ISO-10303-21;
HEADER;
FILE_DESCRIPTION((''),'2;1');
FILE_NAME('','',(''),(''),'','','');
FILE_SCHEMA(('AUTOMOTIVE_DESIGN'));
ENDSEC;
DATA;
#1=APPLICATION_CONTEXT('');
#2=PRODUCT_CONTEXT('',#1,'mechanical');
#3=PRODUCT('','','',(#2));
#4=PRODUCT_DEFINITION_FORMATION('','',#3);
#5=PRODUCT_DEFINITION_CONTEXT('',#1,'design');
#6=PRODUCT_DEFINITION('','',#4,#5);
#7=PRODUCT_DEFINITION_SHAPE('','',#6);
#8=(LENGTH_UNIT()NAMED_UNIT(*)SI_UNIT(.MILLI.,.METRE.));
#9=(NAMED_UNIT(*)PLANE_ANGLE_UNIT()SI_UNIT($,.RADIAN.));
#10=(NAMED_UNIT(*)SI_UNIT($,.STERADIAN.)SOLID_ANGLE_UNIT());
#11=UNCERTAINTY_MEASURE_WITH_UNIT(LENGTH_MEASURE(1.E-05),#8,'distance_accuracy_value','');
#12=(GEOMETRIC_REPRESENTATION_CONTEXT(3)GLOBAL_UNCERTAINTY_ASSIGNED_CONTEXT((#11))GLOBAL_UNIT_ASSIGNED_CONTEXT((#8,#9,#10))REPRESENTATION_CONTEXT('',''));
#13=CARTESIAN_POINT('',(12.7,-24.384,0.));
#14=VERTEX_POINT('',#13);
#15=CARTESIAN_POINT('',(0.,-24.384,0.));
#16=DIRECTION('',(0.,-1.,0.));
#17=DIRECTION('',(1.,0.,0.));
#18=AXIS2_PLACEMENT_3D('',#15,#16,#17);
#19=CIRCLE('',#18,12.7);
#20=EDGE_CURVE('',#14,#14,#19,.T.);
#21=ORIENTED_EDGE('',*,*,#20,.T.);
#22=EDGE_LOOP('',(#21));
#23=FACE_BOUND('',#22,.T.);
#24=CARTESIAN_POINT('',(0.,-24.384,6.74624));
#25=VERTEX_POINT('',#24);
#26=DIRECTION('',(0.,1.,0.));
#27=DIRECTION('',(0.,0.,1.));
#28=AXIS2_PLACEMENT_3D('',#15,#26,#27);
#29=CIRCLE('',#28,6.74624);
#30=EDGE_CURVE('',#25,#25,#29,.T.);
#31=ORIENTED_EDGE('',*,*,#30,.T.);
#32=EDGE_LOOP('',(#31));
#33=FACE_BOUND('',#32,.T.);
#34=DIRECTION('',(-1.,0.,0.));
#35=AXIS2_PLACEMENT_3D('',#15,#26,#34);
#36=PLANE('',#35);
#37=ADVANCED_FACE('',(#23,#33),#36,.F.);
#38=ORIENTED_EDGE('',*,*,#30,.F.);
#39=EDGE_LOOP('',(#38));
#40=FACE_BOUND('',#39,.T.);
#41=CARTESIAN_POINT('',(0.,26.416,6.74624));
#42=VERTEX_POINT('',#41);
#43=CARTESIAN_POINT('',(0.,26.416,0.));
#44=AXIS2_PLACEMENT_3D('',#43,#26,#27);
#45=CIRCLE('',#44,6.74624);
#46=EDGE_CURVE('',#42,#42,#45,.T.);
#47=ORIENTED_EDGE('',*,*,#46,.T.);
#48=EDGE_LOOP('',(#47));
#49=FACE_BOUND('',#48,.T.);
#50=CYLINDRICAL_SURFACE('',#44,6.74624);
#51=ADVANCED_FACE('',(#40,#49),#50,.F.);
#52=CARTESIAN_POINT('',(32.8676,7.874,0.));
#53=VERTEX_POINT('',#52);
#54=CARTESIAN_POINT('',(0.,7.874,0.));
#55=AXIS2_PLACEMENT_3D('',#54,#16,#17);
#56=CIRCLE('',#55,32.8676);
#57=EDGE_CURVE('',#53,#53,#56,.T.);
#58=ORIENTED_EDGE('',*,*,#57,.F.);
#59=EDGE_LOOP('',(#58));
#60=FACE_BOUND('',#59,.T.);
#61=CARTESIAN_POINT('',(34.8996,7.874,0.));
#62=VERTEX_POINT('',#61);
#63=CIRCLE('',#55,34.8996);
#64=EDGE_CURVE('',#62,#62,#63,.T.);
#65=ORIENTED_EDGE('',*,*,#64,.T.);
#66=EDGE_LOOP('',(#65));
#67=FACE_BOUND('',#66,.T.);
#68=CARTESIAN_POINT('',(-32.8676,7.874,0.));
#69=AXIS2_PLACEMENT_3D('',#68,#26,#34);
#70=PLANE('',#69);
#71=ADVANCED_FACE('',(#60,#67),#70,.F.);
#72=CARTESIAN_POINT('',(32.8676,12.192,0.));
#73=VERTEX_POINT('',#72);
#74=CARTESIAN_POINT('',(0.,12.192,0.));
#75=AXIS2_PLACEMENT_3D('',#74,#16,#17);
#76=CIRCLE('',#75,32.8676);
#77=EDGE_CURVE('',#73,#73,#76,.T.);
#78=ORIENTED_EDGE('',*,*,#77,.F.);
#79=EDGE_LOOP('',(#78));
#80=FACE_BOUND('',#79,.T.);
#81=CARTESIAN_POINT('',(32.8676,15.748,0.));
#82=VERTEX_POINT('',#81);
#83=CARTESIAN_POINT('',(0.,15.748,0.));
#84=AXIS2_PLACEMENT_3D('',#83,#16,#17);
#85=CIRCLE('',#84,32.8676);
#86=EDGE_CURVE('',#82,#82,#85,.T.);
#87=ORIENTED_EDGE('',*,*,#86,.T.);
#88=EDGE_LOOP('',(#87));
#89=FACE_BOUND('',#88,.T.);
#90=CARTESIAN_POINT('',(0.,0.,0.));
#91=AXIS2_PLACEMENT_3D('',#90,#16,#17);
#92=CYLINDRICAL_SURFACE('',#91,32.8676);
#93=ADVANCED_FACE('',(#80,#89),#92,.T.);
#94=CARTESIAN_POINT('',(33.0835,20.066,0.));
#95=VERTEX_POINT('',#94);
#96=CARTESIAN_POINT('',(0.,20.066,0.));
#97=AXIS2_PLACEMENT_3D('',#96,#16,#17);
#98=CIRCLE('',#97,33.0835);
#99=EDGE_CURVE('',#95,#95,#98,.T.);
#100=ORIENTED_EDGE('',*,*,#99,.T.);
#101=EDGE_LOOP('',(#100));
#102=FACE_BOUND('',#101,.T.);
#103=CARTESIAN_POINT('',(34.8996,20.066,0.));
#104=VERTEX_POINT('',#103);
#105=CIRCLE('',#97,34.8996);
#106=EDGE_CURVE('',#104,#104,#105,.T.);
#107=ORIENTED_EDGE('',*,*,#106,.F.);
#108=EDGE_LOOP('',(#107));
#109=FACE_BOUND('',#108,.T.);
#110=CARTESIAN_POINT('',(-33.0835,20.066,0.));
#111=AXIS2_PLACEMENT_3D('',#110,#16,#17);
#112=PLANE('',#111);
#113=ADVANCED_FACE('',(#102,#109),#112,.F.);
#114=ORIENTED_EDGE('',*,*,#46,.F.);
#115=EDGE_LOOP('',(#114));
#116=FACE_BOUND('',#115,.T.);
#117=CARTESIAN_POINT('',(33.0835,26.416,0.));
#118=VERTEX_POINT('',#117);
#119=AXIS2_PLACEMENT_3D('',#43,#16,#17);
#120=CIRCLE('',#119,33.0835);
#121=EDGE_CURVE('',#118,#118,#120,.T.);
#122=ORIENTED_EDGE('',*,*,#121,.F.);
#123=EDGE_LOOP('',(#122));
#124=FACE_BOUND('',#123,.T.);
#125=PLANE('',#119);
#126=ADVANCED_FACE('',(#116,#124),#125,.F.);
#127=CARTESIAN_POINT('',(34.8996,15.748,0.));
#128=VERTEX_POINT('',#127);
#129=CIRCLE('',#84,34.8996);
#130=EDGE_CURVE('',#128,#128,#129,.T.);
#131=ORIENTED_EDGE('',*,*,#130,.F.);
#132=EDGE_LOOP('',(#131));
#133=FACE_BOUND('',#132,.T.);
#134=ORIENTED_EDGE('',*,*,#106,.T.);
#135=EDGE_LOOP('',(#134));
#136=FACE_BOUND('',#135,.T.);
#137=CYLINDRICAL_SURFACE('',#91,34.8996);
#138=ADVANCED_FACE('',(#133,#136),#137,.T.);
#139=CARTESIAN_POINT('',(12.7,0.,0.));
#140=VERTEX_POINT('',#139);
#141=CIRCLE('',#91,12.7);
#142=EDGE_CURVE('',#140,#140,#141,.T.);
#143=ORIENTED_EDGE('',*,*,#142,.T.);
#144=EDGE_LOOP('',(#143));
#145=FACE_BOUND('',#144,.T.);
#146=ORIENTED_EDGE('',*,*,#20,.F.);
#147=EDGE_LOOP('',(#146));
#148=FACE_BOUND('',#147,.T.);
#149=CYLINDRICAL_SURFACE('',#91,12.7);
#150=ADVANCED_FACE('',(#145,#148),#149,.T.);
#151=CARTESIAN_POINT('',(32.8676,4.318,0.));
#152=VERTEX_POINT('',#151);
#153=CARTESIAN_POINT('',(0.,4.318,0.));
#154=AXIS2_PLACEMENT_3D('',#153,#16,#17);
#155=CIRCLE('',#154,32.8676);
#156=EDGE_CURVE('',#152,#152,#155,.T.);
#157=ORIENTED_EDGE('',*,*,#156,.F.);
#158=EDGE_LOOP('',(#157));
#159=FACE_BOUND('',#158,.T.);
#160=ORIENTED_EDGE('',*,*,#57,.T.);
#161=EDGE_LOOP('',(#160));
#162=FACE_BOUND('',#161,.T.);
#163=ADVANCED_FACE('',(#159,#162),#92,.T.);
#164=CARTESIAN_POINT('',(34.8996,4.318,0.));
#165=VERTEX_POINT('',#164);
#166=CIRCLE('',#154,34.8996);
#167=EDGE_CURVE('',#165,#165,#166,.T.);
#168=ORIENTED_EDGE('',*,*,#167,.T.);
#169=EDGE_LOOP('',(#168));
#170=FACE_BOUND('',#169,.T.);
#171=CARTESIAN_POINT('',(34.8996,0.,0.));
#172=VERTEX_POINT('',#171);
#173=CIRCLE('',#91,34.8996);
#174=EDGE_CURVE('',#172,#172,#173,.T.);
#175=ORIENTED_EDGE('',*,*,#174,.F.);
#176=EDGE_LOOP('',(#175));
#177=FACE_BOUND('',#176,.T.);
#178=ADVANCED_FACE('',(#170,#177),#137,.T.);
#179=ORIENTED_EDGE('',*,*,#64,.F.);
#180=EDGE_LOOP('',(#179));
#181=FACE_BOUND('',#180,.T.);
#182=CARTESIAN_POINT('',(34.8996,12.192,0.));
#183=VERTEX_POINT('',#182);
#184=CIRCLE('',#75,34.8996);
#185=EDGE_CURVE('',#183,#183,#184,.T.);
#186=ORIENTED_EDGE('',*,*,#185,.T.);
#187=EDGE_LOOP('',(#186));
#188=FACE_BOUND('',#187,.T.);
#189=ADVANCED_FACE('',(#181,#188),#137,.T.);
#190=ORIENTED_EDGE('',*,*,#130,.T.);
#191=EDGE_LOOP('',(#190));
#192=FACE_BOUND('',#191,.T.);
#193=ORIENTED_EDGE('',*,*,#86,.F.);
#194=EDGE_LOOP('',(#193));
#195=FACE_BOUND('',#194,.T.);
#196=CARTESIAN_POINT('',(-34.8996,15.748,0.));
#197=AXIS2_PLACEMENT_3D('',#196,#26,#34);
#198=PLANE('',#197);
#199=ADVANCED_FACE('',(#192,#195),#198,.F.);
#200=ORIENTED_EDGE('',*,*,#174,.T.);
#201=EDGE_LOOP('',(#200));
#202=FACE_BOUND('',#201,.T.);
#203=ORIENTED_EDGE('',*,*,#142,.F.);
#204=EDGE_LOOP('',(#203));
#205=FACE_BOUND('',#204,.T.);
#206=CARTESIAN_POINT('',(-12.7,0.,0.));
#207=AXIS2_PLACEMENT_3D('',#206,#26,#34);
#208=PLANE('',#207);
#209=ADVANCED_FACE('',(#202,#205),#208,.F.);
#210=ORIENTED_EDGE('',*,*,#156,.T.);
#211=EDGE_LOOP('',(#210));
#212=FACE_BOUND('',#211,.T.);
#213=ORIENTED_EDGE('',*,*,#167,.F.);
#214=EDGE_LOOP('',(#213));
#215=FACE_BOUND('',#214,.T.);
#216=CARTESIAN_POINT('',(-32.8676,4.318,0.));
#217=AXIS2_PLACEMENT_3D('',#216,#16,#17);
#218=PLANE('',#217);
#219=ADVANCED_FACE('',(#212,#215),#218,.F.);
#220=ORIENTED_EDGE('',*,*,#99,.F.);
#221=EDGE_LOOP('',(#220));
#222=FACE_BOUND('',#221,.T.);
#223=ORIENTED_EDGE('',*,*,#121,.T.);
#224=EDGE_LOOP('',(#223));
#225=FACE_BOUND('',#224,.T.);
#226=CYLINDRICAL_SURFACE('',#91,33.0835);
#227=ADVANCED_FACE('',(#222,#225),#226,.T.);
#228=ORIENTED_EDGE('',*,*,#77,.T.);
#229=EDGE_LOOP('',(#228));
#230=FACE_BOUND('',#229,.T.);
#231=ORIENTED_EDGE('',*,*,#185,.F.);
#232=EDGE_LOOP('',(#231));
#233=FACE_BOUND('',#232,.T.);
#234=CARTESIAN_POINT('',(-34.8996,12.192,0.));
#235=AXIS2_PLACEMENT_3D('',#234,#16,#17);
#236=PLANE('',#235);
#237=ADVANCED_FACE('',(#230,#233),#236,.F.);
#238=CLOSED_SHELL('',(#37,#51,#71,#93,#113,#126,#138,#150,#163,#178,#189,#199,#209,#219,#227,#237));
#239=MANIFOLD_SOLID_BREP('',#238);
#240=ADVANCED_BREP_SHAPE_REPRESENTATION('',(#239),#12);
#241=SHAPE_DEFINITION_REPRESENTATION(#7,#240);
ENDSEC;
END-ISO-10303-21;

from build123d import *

# Parameters (mm, degrees)
F_5_8_11_TAPPED_HOLE1_D = 13.49248


with BuildPart() as part:
    # Sketch8 → Revolve1 (revolve)
    with BuildSketch(Plane.XY):
        Polygon((0, 0), (0, 26.416), (-33.0835, 26.416), (-33.0835, 20.066), (-34.8996, 20.066), (-34.8996, 15.748), (-32.8676, 15.748), (-32.8676, 12.192), (-34.8996, 12.192), (-34.8996, 7.874), (-32.8676, 7.874), (-32.8676, 4.318), (-34.8996, 4.318), (-34.8996, 0), (-12.7, 0), (-12.7, -24.384), (0, -24.384), align=None)
    revolve(axis=Axis((0, 0, 0), (0, 1, 0)))

    # 5/8-11 Tapped Hole1 (through all)
    with Locations(Plane(origin=(0, 26.416, 0), x_dir=(1, 0, 0), z_dir=(0, 1, 0))):
        with Locations((0, 0)):
            Hole(F_5_8_11_TAPPED_HOLE1_D / 2)


solid = part.part
